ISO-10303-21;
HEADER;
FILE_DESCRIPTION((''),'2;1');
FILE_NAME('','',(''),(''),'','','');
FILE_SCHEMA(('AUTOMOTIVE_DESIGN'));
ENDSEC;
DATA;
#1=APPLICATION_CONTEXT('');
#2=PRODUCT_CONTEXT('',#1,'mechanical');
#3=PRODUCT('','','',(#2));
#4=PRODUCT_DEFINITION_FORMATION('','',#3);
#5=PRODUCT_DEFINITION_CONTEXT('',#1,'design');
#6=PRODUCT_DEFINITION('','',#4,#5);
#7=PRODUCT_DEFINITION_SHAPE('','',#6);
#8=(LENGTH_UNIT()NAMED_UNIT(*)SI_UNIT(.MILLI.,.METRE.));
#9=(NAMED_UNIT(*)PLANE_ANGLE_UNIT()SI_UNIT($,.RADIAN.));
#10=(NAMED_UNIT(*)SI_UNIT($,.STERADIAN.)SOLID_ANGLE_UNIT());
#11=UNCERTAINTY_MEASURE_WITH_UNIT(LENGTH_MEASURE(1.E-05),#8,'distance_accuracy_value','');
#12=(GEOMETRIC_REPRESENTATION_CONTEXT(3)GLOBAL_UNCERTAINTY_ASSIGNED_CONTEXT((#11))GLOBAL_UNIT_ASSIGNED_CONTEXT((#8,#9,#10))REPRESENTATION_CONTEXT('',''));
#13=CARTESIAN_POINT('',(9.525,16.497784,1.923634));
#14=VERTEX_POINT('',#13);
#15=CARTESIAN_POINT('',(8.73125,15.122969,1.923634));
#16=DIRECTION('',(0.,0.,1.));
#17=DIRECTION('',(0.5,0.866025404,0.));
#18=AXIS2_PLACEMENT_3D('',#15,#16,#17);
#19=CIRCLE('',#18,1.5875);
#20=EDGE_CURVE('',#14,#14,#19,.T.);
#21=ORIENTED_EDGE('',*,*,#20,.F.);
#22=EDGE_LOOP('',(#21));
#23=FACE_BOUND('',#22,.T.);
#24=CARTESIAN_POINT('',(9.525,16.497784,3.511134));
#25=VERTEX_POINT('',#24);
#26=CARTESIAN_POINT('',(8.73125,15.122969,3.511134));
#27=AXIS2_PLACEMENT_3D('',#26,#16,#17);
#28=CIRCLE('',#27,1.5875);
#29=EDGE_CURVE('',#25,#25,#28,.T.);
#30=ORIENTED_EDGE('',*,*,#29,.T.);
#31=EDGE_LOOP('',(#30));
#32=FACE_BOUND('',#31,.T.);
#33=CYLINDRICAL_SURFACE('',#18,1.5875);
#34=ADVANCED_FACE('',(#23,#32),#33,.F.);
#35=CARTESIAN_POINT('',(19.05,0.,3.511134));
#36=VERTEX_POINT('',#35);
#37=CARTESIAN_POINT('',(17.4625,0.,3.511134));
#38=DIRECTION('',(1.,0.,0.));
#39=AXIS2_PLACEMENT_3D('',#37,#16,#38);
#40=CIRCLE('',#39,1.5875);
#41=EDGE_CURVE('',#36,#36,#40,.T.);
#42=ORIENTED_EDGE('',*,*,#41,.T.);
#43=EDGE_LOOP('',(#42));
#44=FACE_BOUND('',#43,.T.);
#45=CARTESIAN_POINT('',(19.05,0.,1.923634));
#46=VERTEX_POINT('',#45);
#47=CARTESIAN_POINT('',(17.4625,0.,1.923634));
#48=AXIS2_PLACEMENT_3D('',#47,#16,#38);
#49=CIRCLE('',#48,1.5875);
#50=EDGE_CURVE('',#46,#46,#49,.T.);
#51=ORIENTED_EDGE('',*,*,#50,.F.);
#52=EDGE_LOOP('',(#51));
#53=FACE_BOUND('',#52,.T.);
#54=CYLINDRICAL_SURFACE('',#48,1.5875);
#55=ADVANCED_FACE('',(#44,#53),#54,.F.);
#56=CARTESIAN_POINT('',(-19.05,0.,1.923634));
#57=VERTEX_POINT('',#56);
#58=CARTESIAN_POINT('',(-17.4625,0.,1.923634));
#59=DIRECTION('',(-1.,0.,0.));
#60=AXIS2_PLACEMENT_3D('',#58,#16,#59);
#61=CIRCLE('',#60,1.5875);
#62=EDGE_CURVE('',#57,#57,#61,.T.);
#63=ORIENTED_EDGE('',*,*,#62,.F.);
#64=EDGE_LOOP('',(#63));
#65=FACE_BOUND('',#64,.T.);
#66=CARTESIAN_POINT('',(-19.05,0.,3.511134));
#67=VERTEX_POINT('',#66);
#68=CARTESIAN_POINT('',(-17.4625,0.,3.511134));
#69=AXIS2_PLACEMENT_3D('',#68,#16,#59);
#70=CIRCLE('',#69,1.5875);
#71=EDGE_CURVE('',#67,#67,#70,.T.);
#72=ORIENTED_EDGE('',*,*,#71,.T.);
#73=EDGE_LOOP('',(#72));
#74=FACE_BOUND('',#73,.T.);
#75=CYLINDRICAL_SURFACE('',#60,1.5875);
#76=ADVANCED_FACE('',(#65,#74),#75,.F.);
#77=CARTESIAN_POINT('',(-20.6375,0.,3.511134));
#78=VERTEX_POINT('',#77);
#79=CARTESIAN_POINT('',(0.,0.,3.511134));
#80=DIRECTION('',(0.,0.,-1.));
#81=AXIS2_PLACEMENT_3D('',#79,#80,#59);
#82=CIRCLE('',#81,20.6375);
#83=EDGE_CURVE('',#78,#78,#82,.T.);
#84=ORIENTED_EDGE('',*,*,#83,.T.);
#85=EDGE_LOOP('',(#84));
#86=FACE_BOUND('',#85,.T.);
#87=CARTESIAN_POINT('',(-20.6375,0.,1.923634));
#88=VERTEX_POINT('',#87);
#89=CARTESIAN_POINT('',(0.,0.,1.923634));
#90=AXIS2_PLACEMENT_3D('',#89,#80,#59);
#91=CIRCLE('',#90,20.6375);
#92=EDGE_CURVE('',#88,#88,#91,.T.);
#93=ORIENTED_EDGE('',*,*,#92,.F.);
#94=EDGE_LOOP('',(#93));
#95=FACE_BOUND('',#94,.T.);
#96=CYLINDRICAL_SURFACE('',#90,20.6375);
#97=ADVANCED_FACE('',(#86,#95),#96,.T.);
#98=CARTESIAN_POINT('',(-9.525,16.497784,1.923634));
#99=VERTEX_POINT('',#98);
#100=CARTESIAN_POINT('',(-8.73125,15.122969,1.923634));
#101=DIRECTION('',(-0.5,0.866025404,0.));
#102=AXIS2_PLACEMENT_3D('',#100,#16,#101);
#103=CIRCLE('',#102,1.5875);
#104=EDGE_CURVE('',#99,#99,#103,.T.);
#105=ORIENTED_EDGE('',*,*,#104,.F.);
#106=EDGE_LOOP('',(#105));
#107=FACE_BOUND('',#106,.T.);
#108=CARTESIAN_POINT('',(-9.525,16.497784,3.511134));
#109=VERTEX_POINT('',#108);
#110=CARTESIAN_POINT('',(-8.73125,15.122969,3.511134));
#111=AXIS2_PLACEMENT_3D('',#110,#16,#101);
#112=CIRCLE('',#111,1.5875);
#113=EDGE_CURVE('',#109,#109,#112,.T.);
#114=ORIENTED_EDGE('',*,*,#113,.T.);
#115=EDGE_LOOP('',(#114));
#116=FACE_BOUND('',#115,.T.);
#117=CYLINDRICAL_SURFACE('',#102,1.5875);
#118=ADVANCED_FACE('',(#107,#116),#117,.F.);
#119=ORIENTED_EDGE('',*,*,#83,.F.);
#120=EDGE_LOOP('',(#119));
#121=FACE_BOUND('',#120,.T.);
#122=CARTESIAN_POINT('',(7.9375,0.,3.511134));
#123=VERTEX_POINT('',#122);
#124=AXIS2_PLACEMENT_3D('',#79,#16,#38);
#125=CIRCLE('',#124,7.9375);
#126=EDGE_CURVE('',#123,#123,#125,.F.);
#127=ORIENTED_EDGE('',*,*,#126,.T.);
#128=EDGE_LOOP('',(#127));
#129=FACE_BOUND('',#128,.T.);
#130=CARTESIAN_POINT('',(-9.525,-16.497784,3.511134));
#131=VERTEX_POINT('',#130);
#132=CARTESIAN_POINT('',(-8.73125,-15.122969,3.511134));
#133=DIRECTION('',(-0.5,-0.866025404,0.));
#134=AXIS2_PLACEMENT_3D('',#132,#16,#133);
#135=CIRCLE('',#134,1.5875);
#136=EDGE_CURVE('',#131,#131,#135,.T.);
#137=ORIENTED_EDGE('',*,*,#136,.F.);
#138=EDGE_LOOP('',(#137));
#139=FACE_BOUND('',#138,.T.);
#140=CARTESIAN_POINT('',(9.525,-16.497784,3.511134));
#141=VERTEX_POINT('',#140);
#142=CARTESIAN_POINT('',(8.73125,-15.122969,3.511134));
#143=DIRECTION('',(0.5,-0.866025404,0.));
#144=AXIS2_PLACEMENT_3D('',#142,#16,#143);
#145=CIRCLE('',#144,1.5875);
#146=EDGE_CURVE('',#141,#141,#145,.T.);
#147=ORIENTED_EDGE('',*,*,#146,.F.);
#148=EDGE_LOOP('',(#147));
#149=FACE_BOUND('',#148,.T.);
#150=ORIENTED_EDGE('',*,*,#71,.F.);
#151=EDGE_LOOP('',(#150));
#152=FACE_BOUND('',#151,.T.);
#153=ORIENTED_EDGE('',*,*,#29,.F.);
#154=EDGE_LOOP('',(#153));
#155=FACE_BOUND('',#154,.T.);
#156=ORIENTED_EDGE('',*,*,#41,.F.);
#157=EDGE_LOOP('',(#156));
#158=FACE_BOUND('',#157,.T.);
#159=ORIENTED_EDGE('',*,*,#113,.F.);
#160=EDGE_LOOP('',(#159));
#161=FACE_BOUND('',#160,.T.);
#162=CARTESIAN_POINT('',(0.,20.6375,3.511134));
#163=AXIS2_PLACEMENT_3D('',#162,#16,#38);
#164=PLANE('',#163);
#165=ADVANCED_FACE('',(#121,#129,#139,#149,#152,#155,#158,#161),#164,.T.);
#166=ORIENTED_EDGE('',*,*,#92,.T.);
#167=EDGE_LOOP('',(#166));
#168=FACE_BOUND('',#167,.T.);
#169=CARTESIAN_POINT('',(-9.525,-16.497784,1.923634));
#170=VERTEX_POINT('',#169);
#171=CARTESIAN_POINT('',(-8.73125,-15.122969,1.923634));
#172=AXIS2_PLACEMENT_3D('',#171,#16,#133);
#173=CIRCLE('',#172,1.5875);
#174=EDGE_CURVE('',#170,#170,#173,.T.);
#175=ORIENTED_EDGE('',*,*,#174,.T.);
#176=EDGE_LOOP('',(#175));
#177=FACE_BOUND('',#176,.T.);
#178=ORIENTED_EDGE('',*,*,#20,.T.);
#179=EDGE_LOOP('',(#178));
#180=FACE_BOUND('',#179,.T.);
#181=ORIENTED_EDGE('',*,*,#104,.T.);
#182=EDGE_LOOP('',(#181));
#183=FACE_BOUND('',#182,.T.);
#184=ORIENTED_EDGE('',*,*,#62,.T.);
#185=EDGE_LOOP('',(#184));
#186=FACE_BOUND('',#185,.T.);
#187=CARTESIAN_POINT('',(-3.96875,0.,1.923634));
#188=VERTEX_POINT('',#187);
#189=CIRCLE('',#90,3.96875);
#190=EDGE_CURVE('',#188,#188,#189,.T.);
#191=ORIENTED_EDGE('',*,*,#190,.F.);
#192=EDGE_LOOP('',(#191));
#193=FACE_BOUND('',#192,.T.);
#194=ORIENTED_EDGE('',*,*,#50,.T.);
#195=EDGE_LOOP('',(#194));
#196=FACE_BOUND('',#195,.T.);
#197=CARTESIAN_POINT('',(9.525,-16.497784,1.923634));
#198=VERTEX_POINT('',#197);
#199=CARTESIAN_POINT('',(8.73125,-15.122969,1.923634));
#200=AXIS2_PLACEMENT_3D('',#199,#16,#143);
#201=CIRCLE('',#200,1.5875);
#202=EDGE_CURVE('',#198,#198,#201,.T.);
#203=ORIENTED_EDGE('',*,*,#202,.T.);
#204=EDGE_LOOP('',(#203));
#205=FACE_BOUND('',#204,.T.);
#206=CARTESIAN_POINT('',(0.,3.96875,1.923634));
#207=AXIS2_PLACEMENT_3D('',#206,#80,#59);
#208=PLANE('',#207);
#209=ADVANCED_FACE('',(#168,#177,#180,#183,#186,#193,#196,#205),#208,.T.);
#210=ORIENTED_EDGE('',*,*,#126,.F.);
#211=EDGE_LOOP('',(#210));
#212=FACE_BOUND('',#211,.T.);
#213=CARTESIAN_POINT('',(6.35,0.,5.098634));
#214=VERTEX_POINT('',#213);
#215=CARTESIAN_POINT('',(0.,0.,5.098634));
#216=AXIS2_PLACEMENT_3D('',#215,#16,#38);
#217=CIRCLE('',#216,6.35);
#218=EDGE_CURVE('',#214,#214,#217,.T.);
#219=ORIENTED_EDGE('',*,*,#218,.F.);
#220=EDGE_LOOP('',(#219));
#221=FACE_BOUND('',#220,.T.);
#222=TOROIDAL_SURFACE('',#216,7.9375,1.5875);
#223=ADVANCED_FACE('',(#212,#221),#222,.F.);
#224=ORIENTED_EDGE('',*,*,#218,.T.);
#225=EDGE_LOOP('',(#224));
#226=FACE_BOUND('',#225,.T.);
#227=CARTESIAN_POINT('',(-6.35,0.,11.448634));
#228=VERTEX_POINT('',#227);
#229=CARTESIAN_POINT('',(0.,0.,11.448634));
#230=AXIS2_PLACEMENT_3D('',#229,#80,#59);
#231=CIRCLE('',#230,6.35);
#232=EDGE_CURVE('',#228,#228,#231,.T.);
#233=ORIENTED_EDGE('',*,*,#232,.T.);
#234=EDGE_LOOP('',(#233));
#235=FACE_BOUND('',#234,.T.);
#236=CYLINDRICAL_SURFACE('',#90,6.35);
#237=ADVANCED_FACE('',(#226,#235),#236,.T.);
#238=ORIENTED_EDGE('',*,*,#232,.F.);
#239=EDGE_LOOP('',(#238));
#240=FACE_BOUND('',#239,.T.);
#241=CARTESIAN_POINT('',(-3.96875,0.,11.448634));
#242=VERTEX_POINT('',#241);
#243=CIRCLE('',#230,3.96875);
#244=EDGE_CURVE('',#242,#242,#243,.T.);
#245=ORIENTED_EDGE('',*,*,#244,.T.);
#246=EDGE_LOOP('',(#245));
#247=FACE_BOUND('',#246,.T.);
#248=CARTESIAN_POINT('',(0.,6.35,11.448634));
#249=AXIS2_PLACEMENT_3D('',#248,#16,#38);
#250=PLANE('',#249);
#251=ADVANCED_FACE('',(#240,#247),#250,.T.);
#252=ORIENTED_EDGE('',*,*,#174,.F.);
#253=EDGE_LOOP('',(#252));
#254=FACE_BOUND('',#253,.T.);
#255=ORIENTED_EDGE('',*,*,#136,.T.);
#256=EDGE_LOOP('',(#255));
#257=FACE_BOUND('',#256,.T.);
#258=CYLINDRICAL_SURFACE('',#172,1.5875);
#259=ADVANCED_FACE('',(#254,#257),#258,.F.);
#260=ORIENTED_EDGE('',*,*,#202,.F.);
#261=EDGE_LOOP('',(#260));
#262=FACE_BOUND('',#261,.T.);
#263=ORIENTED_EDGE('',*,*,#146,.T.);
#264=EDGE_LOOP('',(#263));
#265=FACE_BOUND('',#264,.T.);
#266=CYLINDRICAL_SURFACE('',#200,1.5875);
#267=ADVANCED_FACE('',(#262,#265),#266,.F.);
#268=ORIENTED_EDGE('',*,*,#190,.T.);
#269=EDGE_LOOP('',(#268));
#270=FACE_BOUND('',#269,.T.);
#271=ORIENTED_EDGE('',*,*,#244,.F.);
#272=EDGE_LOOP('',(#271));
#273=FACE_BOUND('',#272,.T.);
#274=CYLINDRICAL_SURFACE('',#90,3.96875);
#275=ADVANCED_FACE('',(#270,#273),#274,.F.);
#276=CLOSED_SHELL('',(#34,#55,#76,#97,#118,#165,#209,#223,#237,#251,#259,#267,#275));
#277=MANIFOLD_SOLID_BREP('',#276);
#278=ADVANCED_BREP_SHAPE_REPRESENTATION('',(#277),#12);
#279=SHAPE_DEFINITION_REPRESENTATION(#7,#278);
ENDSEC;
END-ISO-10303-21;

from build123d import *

# Parameters (mm, degrees)
FILLET1_R          = 3.175
SKETCH2_R          = 3.175
CUT_EXTRUDE1_DEPTH = 61.491874454
CIRPATTERN1_COUNT  = 6
SCALE1_SCALE       = 0.5


with BuildPart() as part:
    # Sketch1 → Revolve1 (revolve)
    with BuildSketch(Plane(origin=(0, 0, 0), x_dir=(0, 0, -1), z_dir=(1, 0, 0)), mode=Mode.PRIVATE) as revolve1_sk:
        Polygon((0, 7.9375), (0, 41.275), (-3.175, 41.275), (-3.175, 12.7), (-19.05, 12.7), (-19.05, 7.9375), align=None)
    revolve(revolve1_sk.sketch.rotate(Axis((0, 0, 0), (0, 0, 1)), 90), axis=Axis((0, 0, 0), (0, 0, 1)))

    # Fillet1
    fillet1_edges = [part.edges().sort_by_distance(p)[0] for p in [
        (12.7, 0, 3.175),
    ]]
    fillet(fillet1_edges, radius=FILLET1_R)

    # Sketch2 → Cut-Extrude1 (cut, through all)
    with BuildSketch(Plane.XY.offset(3.175)):
        with Locations((34.925, 0)):
            Circle(SKETCH2_R)
    cut_extrude1 = extrude(amount=-CUT_EXTRUDE1_DEPTH, mode=Mode.SUBTRACT)

    # CirPattern1: Cut-Extrude1 ×6 about axis
    cirpattern1_axis = Axis((0, 0, 0), (0, 0, 1))
    for i in range(1, CIRPATTERN1_COUNT):
        add(cut_extrude1.rotate(cirpattern1_axis, i * 360 / CIRPATTERN1_COUNT), mode=Mode.SUBTRACT)


with BuildPart() as part_1:
    # Scale1: scaled about (0, 0, 3.84726884)
    add(part.part.scale(SCALE1_SCALE).moved(Location((0, 0, 1.92363442))))


solid = part_1.part
